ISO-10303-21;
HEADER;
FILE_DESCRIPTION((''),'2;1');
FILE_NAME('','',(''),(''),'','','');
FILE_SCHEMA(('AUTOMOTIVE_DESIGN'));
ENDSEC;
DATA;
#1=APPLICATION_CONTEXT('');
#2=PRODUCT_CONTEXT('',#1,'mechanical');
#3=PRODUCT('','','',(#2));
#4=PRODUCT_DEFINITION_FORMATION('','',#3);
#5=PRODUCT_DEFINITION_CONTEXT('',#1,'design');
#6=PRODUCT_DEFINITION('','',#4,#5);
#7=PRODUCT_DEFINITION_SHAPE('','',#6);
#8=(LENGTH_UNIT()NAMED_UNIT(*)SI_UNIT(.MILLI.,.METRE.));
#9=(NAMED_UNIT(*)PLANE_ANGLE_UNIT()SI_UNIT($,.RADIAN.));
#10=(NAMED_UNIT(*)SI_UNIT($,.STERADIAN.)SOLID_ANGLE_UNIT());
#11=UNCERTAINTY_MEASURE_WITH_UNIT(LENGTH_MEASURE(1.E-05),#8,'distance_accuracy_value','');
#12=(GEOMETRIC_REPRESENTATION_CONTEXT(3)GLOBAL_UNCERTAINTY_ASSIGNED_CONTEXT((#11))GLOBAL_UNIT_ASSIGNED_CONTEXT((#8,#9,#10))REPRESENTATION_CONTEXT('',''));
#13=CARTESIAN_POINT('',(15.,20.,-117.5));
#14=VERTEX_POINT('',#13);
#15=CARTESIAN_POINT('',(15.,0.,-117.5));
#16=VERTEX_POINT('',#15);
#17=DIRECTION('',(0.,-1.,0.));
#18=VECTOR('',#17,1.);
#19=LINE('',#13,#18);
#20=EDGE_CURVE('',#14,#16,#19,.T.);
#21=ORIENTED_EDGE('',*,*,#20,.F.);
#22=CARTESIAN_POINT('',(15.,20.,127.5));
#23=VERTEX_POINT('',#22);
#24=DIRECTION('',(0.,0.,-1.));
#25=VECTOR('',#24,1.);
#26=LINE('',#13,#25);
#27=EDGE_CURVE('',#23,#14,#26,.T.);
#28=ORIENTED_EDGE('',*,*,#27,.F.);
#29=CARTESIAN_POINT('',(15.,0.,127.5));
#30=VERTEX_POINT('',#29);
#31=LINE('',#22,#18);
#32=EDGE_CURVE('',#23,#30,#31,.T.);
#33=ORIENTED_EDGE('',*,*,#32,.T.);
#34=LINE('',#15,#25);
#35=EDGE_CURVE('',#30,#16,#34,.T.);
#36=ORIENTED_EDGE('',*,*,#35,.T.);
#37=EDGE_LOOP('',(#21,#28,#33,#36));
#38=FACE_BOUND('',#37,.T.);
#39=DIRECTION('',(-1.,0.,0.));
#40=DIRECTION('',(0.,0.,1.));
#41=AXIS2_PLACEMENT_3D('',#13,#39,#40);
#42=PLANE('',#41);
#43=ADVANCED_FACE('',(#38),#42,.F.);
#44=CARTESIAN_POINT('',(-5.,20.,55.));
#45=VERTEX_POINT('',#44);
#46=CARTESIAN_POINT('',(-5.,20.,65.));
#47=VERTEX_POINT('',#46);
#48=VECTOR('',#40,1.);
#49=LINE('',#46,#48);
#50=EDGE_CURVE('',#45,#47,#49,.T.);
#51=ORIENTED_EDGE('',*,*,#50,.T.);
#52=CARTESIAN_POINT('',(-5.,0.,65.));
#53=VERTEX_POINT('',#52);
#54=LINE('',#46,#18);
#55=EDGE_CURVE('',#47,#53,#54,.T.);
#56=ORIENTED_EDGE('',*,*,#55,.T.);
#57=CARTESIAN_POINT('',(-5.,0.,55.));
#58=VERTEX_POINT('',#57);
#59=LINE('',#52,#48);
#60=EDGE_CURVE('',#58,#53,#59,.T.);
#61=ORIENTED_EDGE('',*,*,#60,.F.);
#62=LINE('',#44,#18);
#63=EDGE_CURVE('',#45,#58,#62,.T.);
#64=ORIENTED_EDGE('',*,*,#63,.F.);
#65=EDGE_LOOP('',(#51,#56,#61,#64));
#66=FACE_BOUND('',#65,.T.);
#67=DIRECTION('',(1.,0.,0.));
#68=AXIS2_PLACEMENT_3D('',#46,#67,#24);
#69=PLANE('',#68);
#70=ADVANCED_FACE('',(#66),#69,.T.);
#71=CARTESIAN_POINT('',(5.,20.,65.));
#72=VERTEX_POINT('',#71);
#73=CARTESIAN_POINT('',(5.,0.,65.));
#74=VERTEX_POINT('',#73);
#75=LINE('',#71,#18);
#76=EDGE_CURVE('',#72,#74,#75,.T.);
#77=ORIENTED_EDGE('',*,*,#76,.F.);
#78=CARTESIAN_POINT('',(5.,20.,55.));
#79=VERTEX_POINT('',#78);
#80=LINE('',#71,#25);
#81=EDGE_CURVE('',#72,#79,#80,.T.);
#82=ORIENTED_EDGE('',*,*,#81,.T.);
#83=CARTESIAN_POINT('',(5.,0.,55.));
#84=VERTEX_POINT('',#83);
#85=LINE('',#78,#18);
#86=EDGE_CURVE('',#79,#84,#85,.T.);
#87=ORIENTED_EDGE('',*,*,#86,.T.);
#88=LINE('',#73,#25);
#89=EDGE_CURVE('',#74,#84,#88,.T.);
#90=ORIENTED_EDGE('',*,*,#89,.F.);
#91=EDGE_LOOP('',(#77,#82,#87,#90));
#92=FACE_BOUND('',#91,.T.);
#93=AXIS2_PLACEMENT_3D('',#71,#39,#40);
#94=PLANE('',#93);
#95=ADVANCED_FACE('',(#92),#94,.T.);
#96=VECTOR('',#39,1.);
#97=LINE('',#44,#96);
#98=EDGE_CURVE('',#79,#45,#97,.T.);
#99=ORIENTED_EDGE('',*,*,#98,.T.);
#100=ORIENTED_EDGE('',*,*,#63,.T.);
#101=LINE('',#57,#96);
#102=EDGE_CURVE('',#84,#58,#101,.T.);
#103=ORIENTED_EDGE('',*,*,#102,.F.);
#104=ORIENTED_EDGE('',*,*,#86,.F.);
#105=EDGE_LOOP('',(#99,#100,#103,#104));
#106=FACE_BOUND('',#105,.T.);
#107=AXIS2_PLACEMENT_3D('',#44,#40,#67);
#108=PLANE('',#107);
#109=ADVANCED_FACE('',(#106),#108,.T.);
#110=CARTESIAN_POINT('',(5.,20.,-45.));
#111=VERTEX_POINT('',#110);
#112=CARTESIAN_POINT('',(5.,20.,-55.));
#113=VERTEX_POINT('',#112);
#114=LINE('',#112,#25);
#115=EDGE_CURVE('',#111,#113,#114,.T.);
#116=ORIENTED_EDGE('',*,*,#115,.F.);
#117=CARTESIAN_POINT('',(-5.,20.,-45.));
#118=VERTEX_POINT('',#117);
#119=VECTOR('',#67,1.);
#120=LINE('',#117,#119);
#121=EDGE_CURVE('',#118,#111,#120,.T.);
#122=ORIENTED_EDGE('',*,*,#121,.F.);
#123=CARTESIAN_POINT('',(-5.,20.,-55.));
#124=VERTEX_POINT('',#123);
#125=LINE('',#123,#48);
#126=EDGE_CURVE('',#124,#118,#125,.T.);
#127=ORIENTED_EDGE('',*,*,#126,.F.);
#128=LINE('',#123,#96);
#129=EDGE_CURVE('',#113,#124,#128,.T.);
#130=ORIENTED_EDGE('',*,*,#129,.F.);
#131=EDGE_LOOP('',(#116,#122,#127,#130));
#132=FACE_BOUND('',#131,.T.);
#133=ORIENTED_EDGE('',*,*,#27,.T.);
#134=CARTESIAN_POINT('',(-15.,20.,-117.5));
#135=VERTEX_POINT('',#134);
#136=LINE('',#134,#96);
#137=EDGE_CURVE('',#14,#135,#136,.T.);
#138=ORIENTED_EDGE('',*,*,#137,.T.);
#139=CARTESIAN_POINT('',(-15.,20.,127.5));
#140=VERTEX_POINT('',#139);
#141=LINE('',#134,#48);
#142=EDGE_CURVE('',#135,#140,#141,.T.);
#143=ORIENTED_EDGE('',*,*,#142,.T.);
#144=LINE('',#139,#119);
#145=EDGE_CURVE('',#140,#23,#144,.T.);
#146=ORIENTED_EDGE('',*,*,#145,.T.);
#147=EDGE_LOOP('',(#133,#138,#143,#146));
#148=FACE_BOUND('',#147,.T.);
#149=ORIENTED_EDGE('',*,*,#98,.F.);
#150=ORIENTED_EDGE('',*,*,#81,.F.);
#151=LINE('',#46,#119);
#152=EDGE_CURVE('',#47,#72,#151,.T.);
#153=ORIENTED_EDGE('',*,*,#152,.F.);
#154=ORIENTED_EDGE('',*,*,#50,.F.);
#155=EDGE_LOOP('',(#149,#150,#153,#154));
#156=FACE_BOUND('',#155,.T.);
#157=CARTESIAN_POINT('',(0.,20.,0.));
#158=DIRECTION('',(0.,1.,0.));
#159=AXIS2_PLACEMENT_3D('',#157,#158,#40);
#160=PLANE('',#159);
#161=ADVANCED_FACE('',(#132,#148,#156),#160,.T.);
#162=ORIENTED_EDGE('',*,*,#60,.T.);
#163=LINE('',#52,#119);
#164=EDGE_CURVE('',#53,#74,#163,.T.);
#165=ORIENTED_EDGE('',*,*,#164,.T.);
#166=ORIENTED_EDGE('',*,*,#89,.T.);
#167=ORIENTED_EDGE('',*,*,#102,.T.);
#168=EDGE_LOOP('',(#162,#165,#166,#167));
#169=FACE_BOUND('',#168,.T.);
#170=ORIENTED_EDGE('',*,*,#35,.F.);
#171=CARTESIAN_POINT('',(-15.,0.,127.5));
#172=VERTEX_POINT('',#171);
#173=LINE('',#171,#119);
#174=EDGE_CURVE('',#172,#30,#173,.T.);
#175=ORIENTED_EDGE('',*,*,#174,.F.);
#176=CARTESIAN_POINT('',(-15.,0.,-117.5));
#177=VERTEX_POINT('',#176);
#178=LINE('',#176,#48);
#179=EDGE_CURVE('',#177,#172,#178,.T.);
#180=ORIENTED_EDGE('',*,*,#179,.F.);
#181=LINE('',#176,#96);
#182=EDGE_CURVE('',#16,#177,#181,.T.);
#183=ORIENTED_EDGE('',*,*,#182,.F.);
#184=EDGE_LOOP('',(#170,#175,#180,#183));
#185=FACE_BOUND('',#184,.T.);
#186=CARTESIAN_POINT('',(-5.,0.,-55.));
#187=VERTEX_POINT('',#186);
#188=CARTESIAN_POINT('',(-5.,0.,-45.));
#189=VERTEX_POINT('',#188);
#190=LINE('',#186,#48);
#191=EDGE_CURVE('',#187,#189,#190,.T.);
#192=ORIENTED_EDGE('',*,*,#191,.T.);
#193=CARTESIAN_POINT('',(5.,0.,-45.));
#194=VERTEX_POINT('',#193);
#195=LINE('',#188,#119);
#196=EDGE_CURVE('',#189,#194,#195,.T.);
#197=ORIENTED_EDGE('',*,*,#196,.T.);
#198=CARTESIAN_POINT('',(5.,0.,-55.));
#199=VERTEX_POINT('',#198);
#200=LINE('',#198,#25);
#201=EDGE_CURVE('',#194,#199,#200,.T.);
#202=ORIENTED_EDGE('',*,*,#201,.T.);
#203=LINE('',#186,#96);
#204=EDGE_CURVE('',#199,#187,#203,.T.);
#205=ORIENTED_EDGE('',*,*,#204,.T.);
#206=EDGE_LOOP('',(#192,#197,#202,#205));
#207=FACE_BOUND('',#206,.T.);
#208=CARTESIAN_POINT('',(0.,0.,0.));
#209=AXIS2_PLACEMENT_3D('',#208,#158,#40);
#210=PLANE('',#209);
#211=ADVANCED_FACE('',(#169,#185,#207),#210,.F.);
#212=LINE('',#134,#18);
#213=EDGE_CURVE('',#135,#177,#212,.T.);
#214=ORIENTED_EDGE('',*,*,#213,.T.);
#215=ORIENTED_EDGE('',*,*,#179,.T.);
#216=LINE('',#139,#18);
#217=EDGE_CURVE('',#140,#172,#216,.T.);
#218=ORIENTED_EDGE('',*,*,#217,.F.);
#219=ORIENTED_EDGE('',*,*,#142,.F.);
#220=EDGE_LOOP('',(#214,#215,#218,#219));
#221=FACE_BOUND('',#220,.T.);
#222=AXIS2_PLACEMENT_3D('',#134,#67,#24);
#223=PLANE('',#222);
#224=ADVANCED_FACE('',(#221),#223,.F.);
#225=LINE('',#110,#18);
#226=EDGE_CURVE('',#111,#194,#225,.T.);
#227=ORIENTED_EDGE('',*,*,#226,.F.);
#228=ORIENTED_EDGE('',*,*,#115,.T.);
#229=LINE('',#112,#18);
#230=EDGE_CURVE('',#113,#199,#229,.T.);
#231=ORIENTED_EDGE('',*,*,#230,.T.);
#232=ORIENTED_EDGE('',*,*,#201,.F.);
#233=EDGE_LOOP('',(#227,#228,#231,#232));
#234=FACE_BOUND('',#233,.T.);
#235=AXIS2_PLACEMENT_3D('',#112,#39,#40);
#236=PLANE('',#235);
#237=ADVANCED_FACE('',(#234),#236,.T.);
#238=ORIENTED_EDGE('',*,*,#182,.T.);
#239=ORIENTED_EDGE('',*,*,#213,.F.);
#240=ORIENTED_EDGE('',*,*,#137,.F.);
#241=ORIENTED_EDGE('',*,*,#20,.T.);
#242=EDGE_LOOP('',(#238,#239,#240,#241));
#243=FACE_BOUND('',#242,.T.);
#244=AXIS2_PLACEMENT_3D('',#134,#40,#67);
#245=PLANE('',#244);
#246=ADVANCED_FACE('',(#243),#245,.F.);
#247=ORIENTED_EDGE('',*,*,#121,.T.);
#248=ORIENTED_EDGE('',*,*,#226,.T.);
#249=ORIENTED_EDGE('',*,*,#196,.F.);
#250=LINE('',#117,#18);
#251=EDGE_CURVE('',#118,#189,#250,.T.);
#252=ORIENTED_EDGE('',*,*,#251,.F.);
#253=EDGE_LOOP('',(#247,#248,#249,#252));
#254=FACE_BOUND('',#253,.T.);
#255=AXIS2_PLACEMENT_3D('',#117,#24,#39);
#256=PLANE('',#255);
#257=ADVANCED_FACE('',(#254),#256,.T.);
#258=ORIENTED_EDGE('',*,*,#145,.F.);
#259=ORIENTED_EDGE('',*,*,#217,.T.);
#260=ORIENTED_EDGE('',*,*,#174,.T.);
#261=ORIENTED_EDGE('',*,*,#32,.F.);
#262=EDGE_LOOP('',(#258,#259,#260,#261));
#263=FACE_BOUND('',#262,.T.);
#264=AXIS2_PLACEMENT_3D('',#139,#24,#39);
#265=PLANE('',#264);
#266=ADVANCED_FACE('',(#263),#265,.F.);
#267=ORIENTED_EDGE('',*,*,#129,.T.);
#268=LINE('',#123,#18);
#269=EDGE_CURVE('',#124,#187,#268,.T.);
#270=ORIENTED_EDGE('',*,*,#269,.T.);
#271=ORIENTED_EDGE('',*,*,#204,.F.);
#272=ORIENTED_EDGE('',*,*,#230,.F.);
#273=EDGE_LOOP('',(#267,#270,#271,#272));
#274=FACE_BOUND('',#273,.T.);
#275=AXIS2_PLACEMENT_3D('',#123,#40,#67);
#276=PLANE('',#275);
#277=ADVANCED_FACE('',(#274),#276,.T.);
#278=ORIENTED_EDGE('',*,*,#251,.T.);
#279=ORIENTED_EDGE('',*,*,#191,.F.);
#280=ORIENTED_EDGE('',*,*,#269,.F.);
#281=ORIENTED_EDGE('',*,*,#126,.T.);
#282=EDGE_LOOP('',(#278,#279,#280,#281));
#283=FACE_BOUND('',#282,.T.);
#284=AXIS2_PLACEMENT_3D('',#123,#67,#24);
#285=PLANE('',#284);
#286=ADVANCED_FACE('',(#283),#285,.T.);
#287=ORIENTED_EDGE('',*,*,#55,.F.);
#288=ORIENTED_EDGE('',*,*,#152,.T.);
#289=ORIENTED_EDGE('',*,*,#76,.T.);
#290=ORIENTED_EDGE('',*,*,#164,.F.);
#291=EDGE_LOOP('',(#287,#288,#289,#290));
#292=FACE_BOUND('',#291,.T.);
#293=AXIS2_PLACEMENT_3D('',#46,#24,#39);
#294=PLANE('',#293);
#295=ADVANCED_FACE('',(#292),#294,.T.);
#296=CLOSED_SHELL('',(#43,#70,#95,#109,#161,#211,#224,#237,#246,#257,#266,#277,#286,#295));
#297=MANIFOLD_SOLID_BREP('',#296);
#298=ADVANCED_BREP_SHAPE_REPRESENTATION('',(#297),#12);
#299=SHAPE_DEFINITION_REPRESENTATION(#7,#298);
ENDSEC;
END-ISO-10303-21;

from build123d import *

# Parameters (mm, degrees)
SKETCH1_W           = 30
SKETCH1_H           = 245
SKETCH1_W_2         = 10
SKETCH1_H_2         = 10
BOSS_EXTRUDE1_DEPTH = 20


with BuildPart() as part:
    # Sketch1 → Boss-Extrude1 (new body)
    with BuildSketch(Plane(origin=(0, 0, 0), x_dir=(1, 0, 0), z_dir=(0, 1, 0))):
        with Locations((0, -5)):
            Rectangle(SKETCH1_W, SKETCH1_H)
        with Locations((0, 50)):
            Rectangle(SKETCH1_W_2, SKETCH1_H_2, mode=Mode.SUBTRACT)
        with Locations((0, -60)):
            Rectangle(SKETCH1_W_2, SKETCH1_H_2, mode=Mode.SUBTRACT)
    extrude(amount=BOSS_EXTRUDE1_DEPTH)


solid = part.part
